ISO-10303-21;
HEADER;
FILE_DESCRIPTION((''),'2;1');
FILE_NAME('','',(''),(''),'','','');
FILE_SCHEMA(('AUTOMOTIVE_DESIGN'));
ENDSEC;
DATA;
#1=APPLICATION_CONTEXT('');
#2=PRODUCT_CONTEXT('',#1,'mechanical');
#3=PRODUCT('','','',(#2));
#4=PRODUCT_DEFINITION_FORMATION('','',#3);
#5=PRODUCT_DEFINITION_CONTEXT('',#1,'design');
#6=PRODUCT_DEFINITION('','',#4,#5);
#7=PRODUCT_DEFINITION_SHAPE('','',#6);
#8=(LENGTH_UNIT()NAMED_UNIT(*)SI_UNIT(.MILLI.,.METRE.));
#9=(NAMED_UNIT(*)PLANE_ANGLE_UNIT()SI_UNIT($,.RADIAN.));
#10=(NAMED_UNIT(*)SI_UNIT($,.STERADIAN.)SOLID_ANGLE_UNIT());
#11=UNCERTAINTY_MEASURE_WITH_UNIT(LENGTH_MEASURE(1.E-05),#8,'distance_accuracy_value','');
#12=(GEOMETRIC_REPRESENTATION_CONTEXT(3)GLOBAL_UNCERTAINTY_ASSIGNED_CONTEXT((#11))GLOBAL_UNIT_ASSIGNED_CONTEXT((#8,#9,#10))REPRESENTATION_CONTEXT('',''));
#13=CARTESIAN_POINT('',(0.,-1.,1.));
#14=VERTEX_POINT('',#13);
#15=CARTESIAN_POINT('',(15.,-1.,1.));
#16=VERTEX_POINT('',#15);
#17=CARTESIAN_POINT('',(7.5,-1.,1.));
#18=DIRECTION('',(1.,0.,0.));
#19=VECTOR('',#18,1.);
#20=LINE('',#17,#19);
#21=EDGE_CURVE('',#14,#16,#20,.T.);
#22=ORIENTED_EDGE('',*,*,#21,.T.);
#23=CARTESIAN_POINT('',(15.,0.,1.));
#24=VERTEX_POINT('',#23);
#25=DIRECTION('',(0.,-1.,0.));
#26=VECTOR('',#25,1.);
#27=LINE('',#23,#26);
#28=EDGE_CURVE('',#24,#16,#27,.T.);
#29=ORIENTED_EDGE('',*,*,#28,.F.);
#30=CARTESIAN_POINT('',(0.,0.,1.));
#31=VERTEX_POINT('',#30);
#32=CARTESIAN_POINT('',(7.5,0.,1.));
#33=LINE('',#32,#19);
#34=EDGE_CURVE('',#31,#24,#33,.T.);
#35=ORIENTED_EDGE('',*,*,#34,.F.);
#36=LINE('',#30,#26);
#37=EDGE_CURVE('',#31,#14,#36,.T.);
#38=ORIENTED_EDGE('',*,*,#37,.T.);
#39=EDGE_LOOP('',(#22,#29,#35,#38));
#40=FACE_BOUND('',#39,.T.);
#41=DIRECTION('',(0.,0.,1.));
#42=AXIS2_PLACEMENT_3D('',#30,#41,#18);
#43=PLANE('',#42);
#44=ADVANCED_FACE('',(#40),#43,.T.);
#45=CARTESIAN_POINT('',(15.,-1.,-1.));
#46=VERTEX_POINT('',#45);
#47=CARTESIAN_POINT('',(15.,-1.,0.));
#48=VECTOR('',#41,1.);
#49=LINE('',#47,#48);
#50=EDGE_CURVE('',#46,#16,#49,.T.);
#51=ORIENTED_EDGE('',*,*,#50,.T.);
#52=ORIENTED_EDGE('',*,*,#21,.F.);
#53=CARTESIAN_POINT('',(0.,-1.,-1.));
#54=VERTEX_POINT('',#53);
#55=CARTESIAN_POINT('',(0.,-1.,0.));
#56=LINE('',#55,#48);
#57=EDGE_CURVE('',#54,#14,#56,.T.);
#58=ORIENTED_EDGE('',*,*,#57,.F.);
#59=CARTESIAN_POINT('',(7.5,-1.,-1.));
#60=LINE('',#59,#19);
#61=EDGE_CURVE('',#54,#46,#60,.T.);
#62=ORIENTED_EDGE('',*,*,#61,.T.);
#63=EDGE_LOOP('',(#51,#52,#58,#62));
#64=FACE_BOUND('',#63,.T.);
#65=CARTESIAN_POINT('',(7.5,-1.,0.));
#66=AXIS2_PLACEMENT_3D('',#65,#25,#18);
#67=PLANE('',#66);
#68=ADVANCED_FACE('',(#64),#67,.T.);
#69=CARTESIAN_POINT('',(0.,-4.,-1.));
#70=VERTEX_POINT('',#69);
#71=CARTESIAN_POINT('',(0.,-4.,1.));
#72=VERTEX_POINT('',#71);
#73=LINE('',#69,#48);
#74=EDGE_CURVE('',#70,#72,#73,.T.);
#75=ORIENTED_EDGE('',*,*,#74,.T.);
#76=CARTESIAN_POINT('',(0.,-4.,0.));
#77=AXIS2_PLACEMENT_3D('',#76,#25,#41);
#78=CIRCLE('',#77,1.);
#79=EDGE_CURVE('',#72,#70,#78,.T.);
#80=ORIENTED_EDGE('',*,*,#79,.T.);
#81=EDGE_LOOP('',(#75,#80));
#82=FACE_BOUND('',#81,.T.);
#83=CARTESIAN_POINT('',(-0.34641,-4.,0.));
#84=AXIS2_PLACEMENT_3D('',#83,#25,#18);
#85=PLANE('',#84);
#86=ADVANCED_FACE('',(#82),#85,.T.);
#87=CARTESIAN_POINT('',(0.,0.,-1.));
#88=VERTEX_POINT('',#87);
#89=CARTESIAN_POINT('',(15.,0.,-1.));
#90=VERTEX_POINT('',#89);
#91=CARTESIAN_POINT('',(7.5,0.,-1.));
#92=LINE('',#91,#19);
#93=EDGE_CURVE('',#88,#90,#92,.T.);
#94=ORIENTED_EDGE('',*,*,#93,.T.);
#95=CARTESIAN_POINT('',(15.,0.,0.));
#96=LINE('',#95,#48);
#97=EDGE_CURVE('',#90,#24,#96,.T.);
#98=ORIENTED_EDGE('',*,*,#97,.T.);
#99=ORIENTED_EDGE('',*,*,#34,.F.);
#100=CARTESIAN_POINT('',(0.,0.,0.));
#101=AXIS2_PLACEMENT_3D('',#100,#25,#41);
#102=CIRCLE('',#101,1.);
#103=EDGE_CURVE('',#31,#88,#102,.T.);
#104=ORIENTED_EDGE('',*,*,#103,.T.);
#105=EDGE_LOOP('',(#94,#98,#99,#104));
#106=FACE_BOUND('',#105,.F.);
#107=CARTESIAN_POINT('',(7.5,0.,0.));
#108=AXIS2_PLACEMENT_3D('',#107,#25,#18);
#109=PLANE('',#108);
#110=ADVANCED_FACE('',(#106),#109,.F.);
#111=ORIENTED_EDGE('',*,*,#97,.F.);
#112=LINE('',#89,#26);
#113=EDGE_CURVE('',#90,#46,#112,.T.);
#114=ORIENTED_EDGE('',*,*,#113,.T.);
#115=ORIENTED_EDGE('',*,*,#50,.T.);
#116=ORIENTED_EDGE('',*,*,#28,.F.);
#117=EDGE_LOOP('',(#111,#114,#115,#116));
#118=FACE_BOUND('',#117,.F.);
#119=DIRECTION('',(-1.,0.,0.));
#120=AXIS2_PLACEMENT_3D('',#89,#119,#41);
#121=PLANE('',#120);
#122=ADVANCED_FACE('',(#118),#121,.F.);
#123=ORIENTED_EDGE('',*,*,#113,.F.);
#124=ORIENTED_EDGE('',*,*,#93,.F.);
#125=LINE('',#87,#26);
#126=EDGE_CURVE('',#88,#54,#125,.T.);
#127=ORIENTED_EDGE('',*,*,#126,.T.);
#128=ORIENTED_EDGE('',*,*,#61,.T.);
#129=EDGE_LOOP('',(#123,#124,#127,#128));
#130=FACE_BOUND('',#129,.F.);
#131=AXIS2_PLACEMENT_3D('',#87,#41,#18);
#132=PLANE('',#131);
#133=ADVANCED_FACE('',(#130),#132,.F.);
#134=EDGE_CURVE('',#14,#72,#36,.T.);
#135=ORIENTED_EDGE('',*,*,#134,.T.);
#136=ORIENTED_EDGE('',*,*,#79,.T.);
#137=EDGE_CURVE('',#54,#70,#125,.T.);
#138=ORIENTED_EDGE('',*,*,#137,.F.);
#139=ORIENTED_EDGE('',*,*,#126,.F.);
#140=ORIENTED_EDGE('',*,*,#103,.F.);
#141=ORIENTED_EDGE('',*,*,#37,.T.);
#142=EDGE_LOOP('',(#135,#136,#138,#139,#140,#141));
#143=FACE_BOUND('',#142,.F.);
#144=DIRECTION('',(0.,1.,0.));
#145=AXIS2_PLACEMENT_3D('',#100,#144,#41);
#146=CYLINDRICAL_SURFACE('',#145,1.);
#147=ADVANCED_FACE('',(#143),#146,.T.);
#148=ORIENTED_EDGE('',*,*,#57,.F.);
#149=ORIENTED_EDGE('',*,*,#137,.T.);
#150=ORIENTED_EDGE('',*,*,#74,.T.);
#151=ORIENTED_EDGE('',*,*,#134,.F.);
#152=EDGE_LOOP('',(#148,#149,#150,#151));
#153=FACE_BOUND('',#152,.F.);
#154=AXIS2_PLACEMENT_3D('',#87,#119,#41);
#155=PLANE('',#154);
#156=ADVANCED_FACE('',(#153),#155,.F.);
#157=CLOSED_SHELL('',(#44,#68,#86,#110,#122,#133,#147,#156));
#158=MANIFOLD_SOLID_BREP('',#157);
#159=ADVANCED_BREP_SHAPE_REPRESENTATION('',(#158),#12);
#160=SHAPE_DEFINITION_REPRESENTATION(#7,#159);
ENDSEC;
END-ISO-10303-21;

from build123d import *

# Parameters (mm, degrees)
F3_DEPTH = 4
F2_W     = 15
F2_H     = 2
F4_DEPTH = 1


with BuildPart() as f3:
    # F2 (on Front) → F3 (new body)
    with BuildSketch(Plane.XZ):
        with BuildLine():
            Line((0, -1), (0, 1))
            ThreePointArc((0, 1), (-1, 0), (0, -1))
        make_face()
    extrude(amount=F3_DEPTH)

    # F2 (on Front) → F4 (join)
    with BuildSketch(Plane.XZ):
        with Locations((7.5, 0)):
            Rectangle(F2_W, F2_H)
    extrude(amount=F4_DEPTH)


solid = f3.part
